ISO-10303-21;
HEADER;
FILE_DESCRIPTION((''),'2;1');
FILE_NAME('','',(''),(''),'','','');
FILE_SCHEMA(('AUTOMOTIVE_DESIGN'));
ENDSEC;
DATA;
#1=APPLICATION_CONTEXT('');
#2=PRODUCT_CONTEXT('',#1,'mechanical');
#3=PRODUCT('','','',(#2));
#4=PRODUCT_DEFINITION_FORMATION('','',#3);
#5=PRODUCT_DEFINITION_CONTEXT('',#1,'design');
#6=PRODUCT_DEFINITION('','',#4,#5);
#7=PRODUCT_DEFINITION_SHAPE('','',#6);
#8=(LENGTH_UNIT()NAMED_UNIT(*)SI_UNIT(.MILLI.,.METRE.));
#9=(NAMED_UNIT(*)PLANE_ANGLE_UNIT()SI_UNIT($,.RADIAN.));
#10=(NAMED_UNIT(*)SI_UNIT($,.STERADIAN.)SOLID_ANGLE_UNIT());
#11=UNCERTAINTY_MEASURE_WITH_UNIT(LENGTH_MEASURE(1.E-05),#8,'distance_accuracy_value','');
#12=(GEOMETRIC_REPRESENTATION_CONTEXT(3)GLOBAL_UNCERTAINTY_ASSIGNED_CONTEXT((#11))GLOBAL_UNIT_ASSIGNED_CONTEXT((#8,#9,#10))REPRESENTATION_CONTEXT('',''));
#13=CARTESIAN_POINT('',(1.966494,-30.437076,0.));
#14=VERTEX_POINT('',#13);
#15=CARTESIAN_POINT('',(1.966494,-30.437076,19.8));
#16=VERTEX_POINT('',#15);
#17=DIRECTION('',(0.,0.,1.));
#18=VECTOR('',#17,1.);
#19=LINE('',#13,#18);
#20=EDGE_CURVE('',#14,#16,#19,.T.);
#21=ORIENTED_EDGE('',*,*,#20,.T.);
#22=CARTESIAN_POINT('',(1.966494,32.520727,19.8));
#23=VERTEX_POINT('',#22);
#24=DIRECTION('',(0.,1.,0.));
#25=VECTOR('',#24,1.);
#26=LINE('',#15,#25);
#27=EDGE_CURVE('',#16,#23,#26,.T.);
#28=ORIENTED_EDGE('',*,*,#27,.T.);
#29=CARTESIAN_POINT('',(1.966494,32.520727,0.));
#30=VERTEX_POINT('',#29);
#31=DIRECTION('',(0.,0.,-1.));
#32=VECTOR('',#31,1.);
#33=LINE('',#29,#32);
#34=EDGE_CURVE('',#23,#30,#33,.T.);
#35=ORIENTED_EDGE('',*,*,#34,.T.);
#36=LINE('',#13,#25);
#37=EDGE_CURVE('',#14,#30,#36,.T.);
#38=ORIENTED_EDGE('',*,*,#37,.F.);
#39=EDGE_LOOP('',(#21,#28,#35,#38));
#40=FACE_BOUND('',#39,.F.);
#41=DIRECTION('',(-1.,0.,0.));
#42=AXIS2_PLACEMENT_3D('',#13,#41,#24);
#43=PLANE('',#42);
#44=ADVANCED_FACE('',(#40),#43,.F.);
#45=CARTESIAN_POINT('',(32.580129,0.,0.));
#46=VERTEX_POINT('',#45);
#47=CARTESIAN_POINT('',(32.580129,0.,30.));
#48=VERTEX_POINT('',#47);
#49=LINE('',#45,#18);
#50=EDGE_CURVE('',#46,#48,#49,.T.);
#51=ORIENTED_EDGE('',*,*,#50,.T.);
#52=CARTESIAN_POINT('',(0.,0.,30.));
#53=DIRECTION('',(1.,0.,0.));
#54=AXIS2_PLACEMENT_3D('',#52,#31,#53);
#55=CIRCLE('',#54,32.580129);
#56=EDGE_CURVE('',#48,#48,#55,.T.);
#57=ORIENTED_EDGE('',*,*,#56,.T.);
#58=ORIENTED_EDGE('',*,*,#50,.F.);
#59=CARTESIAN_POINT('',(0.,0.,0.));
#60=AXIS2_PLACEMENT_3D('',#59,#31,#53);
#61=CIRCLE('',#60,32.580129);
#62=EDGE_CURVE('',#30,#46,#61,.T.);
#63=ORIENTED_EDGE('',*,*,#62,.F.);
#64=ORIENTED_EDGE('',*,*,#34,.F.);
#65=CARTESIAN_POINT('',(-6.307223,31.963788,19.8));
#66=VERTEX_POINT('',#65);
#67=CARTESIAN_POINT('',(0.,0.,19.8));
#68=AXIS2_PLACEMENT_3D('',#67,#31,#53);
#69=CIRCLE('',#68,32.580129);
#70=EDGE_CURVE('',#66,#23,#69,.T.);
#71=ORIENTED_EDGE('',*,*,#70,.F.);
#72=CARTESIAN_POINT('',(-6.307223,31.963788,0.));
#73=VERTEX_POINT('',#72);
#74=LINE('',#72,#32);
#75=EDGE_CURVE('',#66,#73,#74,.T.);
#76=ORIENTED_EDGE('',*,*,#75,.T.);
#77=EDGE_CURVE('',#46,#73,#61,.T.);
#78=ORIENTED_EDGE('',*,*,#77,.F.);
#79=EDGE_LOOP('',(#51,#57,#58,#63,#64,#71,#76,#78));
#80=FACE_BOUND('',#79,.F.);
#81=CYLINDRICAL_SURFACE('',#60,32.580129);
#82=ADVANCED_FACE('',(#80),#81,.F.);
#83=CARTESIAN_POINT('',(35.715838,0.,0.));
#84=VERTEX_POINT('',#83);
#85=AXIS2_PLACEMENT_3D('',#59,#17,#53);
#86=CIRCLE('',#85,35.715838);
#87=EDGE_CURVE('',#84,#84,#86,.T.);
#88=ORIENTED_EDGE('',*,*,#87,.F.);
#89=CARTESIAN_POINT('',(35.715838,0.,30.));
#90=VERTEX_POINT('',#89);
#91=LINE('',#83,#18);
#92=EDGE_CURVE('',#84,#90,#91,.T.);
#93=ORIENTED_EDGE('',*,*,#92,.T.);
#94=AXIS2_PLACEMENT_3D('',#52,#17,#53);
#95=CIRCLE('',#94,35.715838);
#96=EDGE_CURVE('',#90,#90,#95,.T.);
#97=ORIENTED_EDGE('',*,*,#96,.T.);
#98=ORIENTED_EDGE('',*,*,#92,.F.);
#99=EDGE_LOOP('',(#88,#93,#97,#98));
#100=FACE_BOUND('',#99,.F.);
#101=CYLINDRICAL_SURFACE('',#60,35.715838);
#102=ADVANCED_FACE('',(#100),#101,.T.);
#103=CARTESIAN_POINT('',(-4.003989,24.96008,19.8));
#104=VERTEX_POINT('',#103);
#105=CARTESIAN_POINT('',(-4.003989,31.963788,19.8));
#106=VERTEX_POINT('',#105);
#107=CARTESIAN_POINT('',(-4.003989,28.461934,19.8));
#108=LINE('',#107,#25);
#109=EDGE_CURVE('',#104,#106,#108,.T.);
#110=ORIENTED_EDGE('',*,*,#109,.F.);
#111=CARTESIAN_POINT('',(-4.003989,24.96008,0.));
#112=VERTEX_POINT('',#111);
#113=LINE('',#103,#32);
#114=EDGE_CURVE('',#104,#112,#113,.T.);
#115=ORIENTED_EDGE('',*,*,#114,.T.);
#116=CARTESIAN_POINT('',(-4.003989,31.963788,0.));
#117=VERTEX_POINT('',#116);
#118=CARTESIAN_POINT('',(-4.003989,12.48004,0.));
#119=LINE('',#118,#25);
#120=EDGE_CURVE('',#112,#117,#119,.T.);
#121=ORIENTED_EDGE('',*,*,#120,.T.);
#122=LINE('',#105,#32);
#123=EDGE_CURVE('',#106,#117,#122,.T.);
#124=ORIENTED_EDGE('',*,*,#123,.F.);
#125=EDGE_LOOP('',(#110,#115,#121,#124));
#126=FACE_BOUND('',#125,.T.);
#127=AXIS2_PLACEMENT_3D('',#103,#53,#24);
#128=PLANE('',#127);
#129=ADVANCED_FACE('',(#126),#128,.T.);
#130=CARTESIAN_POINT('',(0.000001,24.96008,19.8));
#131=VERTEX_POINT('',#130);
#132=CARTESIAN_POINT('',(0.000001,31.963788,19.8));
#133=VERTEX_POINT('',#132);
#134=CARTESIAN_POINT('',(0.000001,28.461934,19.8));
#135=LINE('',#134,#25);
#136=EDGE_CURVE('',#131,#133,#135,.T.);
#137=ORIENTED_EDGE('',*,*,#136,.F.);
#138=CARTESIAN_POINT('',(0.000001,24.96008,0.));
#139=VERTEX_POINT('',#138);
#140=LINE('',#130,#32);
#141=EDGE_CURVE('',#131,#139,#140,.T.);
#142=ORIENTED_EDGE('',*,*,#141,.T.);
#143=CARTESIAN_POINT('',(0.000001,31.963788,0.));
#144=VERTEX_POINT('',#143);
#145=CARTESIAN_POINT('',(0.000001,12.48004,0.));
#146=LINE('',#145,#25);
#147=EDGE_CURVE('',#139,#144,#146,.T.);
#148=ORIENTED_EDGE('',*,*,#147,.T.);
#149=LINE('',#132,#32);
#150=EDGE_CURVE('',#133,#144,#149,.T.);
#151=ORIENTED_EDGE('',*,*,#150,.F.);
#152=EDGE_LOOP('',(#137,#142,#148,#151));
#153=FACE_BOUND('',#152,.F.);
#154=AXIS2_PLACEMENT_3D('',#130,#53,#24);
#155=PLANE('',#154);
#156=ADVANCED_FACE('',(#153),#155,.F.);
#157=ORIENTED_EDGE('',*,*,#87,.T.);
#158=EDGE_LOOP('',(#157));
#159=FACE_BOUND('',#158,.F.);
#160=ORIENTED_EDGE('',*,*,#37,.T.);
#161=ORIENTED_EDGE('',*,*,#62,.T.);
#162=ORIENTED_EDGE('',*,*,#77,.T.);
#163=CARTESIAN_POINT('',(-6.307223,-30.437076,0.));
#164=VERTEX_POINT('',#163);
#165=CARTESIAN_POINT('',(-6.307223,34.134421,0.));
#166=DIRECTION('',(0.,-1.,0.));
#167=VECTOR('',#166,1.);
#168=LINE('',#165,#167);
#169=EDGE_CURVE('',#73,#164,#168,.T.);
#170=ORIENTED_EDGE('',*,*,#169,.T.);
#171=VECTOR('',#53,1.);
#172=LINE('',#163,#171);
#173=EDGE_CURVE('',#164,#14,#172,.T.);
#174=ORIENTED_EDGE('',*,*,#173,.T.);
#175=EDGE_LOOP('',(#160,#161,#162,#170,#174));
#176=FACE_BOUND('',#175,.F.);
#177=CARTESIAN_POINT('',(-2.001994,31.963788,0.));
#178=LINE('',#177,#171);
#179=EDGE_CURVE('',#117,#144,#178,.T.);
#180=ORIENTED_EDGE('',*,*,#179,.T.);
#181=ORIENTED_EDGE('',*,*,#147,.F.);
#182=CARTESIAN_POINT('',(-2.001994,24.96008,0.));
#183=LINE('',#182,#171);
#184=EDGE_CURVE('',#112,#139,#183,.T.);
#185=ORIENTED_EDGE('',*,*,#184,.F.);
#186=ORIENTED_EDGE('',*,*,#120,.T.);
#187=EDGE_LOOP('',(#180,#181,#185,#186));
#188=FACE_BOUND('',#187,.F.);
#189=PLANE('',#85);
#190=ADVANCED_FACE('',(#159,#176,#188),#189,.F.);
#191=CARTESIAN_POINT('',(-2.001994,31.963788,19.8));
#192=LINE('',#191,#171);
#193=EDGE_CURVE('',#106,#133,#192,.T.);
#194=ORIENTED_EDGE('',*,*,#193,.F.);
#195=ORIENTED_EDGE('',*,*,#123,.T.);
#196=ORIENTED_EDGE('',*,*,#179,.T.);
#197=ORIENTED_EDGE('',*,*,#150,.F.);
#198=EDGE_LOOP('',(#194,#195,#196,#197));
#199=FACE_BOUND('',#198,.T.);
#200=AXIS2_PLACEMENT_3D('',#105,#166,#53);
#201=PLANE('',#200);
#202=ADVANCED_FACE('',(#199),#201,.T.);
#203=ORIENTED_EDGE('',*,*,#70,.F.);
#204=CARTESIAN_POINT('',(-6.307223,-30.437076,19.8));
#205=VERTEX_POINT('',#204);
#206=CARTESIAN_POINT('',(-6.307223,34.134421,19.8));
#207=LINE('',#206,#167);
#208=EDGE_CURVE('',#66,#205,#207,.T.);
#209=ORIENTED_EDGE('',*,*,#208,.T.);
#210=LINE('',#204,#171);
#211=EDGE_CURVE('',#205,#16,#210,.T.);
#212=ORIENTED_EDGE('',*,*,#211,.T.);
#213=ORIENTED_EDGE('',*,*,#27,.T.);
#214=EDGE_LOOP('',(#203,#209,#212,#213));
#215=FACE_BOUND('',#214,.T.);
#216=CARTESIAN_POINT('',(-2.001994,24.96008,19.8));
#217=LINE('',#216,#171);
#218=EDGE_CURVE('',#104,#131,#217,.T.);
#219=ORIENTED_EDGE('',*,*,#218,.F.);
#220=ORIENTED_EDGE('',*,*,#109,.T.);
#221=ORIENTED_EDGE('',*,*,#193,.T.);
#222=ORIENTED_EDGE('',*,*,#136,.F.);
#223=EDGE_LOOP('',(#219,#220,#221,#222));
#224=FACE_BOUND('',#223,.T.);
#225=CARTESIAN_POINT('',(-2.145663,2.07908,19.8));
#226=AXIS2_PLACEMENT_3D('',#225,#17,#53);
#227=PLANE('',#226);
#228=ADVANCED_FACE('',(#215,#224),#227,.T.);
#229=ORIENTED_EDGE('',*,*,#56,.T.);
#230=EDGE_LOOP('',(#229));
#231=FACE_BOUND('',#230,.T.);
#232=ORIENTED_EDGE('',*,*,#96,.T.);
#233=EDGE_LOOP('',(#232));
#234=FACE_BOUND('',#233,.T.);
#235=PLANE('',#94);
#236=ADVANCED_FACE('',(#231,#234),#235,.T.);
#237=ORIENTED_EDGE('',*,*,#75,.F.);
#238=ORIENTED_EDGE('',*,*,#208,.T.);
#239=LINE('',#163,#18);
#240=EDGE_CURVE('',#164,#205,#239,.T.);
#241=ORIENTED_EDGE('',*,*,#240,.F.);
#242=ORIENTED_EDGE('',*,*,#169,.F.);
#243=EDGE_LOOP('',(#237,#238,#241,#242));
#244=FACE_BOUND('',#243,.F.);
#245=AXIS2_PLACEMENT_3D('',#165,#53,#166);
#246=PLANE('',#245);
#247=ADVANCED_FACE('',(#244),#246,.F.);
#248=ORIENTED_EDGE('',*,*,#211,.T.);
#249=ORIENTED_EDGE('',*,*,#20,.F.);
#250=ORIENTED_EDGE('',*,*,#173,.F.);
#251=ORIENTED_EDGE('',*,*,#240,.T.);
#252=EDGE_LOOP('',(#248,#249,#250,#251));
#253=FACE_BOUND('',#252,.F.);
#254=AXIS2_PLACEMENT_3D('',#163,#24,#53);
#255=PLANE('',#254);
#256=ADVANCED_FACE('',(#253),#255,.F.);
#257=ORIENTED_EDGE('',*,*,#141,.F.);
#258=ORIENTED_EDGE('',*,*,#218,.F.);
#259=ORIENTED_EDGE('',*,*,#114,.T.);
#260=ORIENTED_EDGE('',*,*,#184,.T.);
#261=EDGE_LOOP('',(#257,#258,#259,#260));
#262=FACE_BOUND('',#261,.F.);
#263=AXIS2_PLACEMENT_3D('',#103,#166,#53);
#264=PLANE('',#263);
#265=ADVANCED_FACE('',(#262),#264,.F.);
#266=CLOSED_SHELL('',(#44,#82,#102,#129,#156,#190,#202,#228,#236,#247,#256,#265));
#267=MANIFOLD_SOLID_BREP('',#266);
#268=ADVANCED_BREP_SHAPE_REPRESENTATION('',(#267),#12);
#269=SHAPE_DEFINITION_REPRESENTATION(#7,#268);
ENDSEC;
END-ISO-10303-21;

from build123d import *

# Parameters (mm, degrees)
F0_R     = 35.715838
F1_DEPTH = 30
F2_R     = 32.580129
F3_DEPTH = 149
F5_DEPTH = 19.8
F6_W     = 4.003989
F6_H     = 7.003708
F7_DEPTH = 120.5


with BuildPart() as f1:
    # F0 (on Top) → F1 (new body)
    with BuildSketch(Plane.XY):
        Circle(F0_R)
    extrude(amount=F1_DEPTH)

    # F2 (on face) → F3 (cut)
    with BuildSketch(Plane(origin=(0, 0, 0), x_dir=(1, 0, 0), z_dir=(0, 0, -1))):
        Circle(F2_R)
    extrude(amount=-F3_DEPTH, mode=Mode.SUBTRACT)

    # F4 (on Top) → F5 (join)
    with BuildSketch(Plane.XY):
        Polygon((1.966494, 35.009865), (-6.307223, 34.134421), (-6.307223, -30.437076), (1.966494, -30.437076), align=None)
    extrude(amount=F5_DEPTH)

    # F6 (on face) → F7 (cut)
    with BuildSketch(Plane.XY.offset(19.8)):
        with Locations((-2.001994, 28.461934)):
            Rectangle(F6_W, F6_H)
    extrude(amount=-F7_DEPTH, mode=Mode.SUBTRACT)


solid = f1.part
